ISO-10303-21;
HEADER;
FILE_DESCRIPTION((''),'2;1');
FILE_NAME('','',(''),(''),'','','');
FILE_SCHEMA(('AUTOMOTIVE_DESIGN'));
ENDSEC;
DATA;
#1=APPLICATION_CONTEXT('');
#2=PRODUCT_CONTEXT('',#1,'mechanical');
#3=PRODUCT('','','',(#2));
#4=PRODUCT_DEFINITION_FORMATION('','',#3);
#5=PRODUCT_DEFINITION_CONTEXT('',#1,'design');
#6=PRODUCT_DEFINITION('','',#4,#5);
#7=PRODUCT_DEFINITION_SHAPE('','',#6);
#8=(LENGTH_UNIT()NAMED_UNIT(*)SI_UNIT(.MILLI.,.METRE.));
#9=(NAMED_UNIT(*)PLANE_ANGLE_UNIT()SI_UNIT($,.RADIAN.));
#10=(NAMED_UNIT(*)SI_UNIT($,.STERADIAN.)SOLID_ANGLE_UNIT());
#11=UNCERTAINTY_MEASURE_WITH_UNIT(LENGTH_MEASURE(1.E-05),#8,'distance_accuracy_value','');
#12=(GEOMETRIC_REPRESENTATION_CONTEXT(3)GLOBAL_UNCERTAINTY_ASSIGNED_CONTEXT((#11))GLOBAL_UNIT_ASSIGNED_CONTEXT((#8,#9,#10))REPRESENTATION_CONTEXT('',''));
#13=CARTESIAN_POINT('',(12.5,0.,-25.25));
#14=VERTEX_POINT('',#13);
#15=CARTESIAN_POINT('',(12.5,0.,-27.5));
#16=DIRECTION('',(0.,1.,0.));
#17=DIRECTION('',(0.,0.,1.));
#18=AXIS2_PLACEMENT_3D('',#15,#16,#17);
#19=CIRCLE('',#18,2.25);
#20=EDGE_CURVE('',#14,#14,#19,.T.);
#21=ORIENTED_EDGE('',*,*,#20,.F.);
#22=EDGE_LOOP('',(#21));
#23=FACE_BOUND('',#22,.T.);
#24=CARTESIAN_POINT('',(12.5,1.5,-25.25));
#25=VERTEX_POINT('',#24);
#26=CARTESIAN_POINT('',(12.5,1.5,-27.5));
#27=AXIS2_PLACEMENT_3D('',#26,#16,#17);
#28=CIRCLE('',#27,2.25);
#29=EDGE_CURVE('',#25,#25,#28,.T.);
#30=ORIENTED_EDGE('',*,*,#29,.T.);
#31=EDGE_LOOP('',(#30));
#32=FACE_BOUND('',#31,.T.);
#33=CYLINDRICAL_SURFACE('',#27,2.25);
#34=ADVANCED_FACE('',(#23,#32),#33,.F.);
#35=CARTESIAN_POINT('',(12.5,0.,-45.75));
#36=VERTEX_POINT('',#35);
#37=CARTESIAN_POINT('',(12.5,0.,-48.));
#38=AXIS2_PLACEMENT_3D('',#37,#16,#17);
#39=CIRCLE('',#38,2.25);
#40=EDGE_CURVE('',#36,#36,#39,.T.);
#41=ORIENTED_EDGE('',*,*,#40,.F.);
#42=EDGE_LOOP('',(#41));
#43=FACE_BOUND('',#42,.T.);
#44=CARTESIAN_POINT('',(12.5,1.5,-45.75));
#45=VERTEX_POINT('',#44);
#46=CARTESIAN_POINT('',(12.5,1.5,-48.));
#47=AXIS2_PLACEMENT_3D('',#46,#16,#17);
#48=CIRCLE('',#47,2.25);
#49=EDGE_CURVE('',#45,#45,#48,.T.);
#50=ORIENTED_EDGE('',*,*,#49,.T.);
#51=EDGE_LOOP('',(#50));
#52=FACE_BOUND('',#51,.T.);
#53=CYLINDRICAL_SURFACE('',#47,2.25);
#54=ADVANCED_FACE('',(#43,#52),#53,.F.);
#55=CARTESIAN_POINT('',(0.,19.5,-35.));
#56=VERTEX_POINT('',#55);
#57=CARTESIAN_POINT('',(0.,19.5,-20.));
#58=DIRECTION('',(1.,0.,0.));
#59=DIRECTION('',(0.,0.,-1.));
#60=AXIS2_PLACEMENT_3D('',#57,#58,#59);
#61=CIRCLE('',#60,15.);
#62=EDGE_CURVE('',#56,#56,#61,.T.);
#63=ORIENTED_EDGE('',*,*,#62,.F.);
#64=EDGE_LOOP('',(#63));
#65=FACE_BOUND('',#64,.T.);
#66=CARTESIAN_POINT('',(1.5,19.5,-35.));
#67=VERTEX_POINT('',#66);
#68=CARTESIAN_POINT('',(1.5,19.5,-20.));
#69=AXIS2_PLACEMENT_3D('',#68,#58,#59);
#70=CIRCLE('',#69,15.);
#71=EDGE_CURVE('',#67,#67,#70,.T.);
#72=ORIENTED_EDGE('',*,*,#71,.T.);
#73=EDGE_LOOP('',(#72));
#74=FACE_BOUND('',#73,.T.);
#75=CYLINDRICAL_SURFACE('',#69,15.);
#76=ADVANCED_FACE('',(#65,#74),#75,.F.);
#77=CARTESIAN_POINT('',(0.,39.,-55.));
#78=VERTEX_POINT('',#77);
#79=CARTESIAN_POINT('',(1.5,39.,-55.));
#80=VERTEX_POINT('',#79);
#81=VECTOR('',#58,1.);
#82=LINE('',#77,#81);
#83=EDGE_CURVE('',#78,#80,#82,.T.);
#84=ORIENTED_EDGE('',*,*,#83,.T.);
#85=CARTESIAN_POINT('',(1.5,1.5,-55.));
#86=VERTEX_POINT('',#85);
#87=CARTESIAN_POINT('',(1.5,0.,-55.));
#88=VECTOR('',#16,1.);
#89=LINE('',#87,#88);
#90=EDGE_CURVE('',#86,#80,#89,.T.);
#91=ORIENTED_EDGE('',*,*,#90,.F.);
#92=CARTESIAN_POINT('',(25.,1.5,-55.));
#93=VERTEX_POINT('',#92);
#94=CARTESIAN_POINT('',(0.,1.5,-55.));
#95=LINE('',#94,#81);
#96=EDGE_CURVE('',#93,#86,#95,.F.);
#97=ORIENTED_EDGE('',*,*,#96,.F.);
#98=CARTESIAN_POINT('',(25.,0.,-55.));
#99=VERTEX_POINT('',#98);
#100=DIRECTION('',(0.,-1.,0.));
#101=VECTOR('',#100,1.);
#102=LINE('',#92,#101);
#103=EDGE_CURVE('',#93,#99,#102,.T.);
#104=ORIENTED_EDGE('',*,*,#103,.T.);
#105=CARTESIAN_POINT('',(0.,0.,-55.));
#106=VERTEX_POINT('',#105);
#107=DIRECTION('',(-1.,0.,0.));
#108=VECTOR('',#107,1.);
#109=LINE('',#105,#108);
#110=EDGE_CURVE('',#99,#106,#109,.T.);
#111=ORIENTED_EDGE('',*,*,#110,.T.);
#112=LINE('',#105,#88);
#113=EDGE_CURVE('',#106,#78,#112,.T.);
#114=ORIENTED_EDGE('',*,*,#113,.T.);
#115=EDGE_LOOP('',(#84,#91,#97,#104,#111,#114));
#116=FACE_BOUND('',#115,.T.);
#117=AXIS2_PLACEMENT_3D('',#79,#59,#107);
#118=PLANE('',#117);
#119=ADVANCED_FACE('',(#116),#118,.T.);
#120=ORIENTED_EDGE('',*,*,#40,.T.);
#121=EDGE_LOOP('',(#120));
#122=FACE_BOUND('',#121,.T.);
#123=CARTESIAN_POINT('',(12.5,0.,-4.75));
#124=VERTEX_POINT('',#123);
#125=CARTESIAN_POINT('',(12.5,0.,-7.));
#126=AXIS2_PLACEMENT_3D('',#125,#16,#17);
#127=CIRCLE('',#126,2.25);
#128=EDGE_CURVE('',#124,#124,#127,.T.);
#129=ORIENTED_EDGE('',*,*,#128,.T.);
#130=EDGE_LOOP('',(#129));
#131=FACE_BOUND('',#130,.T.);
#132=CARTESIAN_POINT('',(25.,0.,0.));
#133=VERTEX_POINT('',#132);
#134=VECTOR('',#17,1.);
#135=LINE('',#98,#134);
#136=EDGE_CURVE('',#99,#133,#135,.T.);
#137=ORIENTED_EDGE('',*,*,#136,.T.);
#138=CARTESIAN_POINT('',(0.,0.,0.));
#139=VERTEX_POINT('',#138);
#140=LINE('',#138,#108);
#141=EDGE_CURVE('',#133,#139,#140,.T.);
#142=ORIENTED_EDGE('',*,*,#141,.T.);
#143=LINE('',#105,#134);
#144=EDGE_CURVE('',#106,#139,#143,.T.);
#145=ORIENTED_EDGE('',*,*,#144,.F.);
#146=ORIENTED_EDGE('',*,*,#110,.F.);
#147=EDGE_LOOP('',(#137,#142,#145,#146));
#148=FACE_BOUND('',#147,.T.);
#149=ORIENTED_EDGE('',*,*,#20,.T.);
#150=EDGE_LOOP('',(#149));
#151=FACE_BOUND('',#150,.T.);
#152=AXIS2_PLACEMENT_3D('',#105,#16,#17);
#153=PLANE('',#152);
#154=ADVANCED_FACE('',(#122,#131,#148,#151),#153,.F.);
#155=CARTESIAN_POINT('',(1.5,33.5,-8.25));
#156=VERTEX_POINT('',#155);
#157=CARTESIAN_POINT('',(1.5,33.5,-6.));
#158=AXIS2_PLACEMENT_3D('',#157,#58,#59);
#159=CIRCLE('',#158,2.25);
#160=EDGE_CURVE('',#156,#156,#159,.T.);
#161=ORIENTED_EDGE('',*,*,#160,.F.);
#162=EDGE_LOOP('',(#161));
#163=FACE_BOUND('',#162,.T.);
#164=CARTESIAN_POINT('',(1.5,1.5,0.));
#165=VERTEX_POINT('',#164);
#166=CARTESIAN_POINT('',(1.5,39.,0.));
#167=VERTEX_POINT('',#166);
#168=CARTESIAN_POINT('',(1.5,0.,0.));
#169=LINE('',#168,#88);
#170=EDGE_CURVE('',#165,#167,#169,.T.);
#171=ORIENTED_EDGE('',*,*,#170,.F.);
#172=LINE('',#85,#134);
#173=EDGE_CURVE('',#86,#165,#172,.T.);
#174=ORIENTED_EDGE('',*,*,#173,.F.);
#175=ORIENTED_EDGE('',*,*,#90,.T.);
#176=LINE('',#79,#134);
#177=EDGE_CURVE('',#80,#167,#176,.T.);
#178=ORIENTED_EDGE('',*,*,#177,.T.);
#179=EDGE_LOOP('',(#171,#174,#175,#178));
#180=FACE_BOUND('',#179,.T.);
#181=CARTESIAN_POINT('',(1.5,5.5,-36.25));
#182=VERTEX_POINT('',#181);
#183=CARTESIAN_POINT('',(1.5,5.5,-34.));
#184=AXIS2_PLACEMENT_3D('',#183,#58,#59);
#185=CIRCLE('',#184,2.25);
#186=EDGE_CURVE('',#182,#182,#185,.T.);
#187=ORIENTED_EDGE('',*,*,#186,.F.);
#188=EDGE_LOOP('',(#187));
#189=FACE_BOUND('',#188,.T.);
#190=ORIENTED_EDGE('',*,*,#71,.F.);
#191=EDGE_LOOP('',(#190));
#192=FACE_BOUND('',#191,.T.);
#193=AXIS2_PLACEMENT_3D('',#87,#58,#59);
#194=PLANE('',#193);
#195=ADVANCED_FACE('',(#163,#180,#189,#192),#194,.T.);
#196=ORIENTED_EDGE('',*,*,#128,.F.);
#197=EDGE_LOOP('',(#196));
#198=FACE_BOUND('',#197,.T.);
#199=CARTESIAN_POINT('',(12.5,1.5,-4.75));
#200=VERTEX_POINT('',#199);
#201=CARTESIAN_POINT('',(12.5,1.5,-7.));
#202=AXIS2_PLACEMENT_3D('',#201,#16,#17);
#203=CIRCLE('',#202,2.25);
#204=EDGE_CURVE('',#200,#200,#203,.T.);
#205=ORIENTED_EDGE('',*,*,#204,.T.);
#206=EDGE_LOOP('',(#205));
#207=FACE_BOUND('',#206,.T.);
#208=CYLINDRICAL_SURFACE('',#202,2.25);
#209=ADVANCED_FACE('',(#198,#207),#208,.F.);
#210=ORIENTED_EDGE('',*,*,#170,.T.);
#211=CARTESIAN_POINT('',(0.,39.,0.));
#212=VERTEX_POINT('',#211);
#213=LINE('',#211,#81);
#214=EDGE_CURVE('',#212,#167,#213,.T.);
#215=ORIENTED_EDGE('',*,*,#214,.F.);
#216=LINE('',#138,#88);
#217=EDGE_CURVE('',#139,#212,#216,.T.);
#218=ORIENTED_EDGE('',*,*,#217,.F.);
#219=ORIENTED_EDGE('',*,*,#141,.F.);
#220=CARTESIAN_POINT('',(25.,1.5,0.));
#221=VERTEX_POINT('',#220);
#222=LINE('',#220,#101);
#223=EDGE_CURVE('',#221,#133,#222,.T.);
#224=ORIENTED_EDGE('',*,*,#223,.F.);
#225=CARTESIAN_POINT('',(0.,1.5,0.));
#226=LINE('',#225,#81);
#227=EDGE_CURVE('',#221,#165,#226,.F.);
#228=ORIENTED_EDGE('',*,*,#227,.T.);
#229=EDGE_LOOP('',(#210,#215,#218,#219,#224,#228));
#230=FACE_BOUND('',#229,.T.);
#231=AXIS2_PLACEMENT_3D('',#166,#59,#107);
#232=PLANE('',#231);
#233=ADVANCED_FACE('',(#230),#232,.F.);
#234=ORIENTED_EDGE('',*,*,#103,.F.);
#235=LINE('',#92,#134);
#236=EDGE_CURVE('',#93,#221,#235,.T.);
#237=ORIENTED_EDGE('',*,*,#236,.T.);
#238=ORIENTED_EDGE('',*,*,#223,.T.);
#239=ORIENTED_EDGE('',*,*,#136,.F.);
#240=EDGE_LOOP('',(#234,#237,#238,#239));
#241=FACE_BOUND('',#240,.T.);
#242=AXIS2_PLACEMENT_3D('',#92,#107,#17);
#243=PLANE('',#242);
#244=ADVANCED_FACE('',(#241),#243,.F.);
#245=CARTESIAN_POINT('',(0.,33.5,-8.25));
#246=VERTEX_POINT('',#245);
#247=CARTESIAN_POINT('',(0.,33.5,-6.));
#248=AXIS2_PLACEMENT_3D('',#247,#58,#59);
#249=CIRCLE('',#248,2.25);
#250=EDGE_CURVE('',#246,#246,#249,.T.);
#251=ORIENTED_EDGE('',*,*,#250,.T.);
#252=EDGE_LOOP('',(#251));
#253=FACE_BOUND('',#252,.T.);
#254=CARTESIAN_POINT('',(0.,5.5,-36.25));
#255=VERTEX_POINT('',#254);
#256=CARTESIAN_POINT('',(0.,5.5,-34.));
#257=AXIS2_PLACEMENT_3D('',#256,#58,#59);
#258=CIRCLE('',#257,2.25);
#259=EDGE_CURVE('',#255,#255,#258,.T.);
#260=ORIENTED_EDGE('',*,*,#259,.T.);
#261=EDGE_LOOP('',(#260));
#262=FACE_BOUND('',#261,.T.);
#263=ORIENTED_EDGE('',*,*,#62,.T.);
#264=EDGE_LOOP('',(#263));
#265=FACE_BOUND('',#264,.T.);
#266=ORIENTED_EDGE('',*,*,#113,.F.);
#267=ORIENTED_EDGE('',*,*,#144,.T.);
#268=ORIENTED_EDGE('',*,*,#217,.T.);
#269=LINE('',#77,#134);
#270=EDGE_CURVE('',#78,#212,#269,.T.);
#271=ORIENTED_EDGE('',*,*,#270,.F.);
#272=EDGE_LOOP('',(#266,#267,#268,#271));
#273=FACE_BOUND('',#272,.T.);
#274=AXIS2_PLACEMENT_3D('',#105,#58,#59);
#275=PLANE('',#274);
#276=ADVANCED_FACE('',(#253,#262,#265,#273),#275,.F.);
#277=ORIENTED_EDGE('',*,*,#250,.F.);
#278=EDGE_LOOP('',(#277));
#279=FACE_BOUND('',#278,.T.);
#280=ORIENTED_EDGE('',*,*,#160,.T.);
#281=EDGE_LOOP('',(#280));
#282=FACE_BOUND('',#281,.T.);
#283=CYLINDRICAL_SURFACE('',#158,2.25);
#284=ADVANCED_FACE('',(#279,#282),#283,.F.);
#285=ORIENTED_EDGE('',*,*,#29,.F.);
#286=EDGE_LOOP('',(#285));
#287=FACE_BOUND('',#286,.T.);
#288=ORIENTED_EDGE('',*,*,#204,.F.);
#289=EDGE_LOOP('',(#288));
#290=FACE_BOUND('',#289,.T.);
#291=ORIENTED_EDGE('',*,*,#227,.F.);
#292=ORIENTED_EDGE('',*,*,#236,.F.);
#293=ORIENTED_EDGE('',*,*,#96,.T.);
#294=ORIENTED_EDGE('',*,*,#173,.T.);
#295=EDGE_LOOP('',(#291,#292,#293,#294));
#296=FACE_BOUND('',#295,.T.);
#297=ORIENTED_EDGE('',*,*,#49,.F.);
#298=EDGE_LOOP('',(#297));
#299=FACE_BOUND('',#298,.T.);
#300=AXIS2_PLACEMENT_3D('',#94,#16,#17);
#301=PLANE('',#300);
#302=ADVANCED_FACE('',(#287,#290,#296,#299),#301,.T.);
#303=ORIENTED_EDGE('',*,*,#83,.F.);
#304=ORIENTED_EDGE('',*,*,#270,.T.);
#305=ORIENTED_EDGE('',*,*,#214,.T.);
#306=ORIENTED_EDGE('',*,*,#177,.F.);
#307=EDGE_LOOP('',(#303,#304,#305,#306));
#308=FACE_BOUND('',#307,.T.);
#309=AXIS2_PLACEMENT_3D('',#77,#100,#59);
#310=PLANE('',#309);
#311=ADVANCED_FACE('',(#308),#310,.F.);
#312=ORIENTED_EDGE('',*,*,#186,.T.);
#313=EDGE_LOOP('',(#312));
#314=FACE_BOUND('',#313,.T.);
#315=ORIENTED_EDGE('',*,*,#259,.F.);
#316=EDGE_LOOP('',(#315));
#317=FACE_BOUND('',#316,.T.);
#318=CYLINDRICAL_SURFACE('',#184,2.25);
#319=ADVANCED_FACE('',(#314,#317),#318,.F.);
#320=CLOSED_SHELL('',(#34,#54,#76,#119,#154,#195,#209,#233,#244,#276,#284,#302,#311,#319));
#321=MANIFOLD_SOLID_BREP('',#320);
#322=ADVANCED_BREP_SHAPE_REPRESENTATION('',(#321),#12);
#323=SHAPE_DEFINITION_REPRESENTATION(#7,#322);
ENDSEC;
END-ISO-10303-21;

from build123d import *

# Parameters (mm, degrees)
EXTRU_MINCE1_DEPTH    = 55
D_GAGEMENT_M41_D      = 4.5
D_GAGEMENT_M42_D      = 4.5
D_GAGEMENT_M271_D     = 30
D_GAGEMENT_M271_DEPTH = 1.5
D_GAGEMENT_M271_TIP   = 9.012909285


with BuildPart() as part:
    # Esquisse1 → Extru.-Mince1 (new body)
    with BuildSketch(Plane.XY):
        Polygon((0, 39), (0, 0), (25, 0), (25, 1.5), (1.5, 1.5), (1.5, 39), align=None)
    extrude(amount=-EXTRU_MINCE1_DEPTH)

    # Dégagement M41 (through all)
    with Locations(Plane(origin=(0, 1.5, 0), x_dir=(-1, 0, 0), z_dir=(0, 1, 0))):
        with Locations((-12.5, -7), (-12.5, -27.5), (-12.5, -48)):
            Hole(D_GAGEMENT_M41_D / 2)

    # Dégagement M42 (through all)
    with Locations(Plane(origin=(1.5, 0, 0), x_dir=(0, 0, -1), z_dir=(1, 0, 0))):
        with Locations((6, 33.5), (34, 5.5)):
            Hole(D_GAGEMENT_M42_D / 2)

    # Dégagement M271
    with Locations(Plane(origin=(1.5, 0, 0), x_dir=(0, 0, -1), z_dir=(1, 0, 0))):
        with Locations((20, 19.5)):
            Hole(D_GAGEMENT_M271_D / 2, depth=D_GAGEMENT_M271_DEPTH)
            with Locations((0, 0, -(D_GAGEMENT_M271_DEPTH + D_GAGEMENT_M271_TIP / 2))):  # 118° drill point
                Cone(0, D_GAGEMENT_M271_D / 2, D_GAGEMENT_M271_TIP, mode=Mode.SUBTRACT)


solid = part.part
